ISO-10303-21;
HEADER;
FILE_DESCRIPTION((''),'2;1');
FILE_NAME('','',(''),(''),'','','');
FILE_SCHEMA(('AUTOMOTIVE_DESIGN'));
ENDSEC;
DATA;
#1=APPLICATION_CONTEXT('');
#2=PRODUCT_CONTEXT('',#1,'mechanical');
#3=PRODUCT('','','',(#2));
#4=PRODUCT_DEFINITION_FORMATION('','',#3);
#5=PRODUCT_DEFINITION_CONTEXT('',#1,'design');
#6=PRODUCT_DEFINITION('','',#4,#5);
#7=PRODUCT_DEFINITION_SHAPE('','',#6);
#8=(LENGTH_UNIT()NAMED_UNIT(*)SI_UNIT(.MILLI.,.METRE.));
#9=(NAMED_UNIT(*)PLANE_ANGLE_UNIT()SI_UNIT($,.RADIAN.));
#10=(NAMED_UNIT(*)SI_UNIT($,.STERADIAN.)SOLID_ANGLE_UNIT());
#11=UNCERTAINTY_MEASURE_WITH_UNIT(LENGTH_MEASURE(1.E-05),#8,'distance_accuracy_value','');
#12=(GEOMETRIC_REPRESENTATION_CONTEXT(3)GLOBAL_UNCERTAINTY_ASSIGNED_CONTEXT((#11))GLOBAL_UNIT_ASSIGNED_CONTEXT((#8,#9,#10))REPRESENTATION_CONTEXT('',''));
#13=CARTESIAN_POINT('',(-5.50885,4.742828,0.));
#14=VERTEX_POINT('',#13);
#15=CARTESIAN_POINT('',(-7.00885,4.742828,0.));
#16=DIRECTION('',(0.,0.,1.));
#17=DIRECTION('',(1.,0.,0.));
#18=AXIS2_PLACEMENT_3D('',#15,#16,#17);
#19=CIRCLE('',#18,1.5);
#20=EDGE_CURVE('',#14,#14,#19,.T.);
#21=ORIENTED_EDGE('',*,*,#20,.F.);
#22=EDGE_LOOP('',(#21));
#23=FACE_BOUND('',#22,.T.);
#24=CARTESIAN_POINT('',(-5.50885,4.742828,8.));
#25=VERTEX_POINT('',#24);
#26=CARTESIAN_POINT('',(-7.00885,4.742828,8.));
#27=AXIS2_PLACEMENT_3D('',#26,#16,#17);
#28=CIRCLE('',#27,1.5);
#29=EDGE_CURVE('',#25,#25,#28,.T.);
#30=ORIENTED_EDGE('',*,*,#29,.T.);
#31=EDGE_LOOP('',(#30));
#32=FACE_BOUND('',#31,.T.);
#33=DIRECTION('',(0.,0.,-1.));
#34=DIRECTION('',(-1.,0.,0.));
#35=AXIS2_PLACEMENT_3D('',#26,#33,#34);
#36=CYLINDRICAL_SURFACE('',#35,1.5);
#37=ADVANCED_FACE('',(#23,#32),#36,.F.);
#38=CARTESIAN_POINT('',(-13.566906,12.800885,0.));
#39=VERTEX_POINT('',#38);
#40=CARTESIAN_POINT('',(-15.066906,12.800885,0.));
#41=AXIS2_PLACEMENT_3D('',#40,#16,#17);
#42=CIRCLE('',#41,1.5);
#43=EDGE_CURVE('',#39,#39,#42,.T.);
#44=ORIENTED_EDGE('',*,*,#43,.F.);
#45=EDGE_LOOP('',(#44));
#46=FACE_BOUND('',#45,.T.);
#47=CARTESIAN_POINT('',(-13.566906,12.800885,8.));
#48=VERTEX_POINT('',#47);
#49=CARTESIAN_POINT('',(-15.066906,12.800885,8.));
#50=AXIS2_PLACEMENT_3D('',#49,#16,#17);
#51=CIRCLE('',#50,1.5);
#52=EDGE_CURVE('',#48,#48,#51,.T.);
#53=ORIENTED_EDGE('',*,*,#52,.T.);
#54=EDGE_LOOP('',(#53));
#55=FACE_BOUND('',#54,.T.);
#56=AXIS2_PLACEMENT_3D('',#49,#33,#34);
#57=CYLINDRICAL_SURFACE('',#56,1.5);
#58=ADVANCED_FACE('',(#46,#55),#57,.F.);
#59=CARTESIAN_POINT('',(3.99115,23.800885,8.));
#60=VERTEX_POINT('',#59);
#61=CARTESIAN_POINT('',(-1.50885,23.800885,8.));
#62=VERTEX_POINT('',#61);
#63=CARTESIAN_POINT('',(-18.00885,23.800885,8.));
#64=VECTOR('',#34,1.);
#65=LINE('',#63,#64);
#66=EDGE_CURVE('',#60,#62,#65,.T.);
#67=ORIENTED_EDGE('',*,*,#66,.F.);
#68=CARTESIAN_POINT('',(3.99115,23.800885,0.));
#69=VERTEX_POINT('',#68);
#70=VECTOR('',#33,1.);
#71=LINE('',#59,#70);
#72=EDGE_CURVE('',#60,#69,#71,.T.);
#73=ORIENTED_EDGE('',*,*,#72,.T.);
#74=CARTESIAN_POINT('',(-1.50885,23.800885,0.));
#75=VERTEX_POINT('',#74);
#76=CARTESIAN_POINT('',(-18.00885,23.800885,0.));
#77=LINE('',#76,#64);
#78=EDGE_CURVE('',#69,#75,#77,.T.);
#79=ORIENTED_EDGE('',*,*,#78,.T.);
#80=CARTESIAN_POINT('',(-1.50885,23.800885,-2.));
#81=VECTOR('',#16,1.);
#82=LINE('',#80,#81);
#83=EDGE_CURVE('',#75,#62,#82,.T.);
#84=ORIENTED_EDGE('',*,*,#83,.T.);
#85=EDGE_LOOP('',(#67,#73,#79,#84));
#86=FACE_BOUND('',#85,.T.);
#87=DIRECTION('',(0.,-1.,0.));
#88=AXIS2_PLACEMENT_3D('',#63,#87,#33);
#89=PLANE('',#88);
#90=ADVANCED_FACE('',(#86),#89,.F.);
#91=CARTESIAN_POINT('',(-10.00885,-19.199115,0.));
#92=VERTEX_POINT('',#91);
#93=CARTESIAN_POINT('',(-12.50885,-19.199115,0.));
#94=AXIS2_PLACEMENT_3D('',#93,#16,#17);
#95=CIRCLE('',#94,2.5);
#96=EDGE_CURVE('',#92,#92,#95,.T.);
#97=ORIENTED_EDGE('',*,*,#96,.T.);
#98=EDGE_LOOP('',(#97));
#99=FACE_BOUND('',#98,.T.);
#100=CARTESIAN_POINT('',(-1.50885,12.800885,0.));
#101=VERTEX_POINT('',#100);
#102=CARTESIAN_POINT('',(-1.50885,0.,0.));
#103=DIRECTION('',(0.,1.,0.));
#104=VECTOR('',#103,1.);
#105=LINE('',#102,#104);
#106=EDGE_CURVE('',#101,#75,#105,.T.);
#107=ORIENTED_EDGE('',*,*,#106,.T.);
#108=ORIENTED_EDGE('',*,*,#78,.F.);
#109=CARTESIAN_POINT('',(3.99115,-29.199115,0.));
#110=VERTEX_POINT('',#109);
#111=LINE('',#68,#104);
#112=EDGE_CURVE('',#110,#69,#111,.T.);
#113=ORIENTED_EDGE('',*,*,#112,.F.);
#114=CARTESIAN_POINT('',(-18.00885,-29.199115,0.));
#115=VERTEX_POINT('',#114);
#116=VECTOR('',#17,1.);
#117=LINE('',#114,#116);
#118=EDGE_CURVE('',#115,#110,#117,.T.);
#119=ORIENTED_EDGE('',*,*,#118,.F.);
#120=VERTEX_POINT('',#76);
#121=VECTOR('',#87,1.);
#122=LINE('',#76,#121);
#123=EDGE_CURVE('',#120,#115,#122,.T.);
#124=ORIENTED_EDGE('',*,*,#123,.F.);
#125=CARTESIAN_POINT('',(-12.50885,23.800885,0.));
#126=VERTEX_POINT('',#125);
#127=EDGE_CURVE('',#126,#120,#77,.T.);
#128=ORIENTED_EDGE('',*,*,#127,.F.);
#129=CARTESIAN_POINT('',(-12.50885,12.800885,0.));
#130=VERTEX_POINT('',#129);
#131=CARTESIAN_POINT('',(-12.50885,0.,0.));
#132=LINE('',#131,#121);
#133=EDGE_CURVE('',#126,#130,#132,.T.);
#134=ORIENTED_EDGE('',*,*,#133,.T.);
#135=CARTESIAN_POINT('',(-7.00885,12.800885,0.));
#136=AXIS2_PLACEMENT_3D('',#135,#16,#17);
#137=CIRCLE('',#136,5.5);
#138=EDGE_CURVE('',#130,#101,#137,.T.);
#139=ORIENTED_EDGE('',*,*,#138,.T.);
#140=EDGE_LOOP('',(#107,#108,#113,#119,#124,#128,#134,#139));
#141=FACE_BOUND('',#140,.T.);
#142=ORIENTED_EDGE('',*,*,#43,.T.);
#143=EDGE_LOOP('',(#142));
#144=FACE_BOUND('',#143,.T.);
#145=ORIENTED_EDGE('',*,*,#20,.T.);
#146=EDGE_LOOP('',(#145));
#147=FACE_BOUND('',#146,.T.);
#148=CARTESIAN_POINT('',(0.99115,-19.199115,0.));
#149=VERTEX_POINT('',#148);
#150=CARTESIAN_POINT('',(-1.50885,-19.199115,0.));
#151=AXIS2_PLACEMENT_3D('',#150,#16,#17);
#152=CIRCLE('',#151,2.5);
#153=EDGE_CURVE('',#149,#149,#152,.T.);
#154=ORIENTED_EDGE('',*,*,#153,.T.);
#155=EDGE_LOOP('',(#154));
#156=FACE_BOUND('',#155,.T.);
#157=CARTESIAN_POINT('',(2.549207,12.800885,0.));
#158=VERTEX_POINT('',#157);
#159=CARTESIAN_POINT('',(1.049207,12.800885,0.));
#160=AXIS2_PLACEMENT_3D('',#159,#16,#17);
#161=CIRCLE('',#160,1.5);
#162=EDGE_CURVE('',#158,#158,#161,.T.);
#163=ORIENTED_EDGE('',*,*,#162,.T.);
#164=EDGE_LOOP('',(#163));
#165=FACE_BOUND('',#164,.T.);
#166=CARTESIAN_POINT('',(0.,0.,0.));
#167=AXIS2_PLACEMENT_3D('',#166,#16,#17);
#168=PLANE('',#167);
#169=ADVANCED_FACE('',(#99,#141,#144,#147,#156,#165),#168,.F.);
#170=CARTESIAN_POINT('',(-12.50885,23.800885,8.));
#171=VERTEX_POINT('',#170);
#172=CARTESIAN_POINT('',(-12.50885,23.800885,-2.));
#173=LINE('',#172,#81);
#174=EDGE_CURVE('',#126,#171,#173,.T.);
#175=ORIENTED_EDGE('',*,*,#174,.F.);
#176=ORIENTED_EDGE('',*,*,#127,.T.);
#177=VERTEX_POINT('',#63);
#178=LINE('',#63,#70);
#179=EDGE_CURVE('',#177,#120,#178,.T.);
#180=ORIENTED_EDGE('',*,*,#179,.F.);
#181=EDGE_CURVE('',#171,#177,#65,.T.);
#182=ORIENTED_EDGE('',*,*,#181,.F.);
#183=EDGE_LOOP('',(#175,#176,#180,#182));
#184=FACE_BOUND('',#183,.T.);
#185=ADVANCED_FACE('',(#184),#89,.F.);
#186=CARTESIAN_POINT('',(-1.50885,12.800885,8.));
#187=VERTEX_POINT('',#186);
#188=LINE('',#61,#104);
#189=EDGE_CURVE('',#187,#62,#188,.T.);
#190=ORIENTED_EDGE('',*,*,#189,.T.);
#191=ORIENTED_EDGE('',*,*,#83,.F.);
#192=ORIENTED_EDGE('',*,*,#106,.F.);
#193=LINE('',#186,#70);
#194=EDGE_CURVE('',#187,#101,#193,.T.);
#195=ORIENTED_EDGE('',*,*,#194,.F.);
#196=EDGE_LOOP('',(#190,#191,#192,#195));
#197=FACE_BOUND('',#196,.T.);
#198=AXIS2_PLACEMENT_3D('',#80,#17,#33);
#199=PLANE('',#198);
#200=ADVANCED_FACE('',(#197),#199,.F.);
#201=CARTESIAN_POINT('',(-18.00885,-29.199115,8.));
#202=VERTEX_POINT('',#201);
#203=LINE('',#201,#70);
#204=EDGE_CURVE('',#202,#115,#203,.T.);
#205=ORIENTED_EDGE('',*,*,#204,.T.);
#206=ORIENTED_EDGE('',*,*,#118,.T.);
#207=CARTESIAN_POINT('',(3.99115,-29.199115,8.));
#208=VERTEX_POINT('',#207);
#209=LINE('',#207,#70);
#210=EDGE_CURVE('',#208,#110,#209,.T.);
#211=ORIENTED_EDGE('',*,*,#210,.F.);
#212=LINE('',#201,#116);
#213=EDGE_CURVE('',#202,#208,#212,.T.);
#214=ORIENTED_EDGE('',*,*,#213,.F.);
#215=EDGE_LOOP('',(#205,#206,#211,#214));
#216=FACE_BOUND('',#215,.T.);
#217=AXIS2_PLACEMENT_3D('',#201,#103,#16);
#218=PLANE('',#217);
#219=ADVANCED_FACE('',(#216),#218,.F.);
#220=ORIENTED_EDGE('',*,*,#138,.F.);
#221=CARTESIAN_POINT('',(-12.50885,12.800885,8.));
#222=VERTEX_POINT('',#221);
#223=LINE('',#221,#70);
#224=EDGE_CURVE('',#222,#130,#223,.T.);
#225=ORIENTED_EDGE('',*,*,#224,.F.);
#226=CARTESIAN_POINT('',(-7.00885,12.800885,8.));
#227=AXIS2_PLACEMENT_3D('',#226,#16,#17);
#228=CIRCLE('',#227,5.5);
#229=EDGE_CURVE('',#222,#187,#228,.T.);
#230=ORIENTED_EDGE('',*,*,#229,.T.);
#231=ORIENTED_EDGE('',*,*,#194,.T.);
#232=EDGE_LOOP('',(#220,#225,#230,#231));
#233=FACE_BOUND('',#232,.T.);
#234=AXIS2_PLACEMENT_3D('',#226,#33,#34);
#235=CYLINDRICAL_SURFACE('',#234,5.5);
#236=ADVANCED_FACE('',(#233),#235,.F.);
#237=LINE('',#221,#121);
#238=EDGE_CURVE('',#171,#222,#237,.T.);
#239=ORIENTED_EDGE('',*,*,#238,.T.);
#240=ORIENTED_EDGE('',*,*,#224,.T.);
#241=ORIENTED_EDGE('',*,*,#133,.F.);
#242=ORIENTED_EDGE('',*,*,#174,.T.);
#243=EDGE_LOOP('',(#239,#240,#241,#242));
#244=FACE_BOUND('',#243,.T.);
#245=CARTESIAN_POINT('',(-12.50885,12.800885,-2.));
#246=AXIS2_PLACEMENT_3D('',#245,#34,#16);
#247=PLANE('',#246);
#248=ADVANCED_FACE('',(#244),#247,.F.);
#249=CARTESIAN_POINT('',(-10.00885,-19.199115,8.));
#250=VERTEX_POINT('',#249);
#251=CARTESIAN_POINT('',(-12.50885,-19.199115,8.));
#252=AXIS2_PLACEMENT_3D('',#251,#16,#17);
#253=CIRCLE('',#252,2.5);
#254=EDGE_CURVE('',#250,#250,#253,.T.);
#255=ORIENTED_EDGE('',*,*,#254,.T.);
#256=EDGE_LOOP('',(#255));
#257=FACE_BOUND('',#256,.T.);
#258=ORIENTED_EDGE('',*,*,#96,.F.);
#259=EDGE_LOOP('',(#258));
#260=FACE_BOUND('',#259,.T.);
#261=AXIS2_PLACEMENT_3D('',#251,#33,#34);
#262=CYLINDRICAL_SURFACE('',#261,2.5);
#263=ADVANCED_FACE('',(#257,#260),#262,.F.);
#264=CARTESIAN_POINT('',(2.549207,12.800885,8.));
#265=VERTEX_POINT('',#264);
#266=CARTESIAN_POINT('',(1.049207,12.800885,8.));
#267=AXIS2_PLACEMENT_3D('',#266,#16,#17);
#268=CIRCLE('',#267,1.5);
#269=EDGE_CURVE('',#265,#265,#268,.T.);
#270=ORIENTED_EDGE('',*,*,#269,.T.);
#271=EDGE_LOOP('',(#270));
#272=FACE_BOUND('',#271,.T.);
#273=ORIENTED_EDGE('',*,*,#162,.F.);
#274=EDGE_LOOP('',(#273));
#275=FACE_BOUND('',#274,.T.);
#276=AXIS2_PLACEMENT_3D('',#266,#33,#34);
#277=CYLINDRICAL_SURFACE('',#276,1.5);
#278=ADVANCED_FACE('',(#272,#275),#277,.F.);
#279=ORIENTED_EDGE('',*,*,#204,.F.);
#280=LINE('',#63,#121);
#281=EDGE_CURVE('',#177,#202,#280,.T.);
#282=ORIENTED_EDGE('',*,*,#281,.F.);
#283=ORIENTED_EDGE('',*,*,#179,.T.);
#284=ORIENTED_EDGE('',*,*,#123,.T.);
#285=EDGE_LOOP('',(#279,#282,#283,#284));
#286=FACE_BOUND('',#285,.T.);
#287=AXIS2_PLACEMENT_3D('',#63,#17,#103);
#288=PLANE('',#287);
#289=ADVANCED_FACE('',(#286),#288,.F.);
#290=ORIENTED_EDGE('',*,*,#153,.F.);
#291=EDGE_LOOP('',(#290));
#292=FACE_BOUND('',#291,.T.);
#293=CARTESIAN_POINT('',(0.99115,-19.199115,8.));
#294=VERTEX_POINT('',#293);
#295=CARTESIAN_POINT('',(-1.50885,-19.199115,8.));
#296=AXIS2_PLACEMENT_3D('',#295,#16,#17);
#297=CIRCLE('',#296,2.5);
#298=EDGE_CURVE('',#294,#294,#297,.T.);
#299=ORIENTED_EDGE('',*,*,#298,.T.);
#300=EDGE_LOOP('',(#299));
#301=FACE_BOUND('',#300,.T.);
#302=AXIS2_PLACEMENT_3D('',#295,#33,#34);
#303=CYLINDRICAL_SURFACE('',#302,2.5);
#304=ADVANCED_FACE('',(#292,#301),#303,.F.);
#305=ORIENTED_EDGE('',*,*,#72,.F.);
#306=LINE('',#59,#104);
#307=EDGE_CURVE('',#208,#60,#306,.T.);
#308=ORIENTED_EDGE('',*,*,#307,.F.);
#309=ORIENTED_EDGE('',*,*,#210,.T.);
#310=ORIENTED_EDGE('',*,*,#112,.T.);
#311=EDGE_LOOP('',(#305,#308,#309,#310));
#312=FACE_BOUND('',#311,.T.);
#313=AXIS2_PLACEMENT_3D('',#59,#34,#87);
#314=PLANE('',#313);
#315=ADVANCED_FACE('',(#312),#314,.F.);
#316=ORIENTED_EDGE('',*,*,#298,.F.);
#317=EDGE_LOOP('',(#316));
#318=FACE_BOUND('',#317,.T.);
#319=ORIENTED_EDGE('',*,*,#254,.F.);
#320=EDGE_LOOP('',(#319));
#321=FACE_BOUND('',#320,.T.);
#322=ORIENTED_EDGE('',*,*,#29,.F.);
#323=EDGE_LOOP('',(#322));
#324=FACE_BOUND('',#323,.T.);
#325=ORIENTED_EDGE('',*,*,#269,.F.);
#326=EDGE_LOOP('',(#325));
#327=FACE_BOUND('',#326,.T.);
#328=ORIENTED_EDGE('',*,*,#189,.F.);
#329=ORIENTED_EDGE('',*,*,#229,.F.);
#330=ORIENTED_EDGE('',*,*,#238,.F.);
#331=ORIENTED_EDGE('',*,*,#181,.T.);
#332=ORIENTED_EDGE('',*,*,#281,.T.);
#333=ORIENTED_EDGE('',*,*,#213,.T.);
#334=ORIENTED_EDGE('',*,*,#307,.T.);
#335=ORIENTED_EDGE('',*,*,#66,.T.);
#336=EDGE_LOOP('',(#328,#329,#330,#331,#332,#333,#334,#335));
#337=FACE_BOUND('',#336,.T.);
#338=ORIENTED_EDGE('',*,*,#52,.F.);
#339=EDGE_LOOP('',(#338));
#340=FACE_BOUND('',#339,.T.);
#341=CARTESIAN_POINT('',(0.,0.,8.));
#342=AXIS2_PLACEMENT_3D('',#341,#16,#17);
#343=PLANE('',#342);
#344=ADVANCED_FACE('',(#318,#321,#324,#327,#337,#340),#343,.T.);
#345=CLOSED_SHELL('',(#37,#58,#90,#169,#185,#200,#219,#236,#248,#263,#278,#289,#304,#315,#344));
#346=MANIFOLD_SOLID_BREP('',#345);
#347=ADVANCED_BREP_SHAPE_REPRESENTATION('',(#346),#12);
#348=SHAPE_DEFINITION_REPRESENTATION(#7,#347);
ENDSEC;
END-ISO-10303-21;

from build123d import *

# Parameters (mm, degrees)
SKETCH_1_W          = 22
SKETCH_1_H          = 53
SKETCH_1_R          = 2.5
SKETCH_1_R_2        = 5.5
SKETCH_1_R_3        = 1.5
EXTRUDE_1_DEPTH     = 8
CUT_EXTRUDE_START   = -10
CUT_EXTRUDE_1_DEPTH = 10


with BuildPart() as part:
    # 草图1 → 凸台-拉伸1 (new body)
    with BuildSketch(Plane.XY):
        with Locations((-7.008849558, -2.699115044)):
            Rectangle(SKETCH_1_W, SKETCH_1_H)
        with Locations((-12.508849558, -19.199115044)):
            Circle(SKETCH_1_R, mode=Mode.SUBTRACT)
        with Locations((-1.508849558, -19.199115044)):
            Circle(SKETCH_1_R, mode=Mode.SUBTRACT)
        with Locations((-7.008849558, 12.800884956)):
            Circle(SKETCH_1_R_2, mode=Mode.SUBTRACT)
        with Locations((-7.008849558, 20.858941567)):
            Circle(SKETCH_1_R_3, mode=Mode.SUBTRACT)
        with Locations((1.049207054, 12.800884956)):
            Circle(SKETCH_1_R_3, mode=Mode.SUBTRACT)
        with Locations((-7.008849558, 4.742828344)):
            Circle(SKETCH_1_R_3, mode=Mode.SUBTRACT)
        with Locations((-15.066906169, 12.800884956)):
            Circle(SKETCH_1_R_3, mode=Mode.SUBTRACT)
    extrude(amount=EXTRUDE_1_DEPTH)

    # 草图2 → 切除-拉伸1 (cut)
    with BuildSketch(Plane.XY.offset(8).offset(CUT_EXTRUDE_START)):
        with BuildLine():
            Line((-12.508849558, 12.800884956), (-12.508849558, 23.800884956))
            Line((-12.508849558, 23.800884956), (-1.508849558, 23.800884956))
            Line((-1.508849558, 23.800884956), (-1.508849558, 12.800884956))
            ThreePointArc((-1.508849558, 12.800884956), (-7.008849558, 7.300884956), (-12.508849558, 12.800884956))
        make_face()
    extrude(amount=CUT_EXTRUDE_1_DEPTH, mode=Mode.SUBTRACT)


solid = part.part
